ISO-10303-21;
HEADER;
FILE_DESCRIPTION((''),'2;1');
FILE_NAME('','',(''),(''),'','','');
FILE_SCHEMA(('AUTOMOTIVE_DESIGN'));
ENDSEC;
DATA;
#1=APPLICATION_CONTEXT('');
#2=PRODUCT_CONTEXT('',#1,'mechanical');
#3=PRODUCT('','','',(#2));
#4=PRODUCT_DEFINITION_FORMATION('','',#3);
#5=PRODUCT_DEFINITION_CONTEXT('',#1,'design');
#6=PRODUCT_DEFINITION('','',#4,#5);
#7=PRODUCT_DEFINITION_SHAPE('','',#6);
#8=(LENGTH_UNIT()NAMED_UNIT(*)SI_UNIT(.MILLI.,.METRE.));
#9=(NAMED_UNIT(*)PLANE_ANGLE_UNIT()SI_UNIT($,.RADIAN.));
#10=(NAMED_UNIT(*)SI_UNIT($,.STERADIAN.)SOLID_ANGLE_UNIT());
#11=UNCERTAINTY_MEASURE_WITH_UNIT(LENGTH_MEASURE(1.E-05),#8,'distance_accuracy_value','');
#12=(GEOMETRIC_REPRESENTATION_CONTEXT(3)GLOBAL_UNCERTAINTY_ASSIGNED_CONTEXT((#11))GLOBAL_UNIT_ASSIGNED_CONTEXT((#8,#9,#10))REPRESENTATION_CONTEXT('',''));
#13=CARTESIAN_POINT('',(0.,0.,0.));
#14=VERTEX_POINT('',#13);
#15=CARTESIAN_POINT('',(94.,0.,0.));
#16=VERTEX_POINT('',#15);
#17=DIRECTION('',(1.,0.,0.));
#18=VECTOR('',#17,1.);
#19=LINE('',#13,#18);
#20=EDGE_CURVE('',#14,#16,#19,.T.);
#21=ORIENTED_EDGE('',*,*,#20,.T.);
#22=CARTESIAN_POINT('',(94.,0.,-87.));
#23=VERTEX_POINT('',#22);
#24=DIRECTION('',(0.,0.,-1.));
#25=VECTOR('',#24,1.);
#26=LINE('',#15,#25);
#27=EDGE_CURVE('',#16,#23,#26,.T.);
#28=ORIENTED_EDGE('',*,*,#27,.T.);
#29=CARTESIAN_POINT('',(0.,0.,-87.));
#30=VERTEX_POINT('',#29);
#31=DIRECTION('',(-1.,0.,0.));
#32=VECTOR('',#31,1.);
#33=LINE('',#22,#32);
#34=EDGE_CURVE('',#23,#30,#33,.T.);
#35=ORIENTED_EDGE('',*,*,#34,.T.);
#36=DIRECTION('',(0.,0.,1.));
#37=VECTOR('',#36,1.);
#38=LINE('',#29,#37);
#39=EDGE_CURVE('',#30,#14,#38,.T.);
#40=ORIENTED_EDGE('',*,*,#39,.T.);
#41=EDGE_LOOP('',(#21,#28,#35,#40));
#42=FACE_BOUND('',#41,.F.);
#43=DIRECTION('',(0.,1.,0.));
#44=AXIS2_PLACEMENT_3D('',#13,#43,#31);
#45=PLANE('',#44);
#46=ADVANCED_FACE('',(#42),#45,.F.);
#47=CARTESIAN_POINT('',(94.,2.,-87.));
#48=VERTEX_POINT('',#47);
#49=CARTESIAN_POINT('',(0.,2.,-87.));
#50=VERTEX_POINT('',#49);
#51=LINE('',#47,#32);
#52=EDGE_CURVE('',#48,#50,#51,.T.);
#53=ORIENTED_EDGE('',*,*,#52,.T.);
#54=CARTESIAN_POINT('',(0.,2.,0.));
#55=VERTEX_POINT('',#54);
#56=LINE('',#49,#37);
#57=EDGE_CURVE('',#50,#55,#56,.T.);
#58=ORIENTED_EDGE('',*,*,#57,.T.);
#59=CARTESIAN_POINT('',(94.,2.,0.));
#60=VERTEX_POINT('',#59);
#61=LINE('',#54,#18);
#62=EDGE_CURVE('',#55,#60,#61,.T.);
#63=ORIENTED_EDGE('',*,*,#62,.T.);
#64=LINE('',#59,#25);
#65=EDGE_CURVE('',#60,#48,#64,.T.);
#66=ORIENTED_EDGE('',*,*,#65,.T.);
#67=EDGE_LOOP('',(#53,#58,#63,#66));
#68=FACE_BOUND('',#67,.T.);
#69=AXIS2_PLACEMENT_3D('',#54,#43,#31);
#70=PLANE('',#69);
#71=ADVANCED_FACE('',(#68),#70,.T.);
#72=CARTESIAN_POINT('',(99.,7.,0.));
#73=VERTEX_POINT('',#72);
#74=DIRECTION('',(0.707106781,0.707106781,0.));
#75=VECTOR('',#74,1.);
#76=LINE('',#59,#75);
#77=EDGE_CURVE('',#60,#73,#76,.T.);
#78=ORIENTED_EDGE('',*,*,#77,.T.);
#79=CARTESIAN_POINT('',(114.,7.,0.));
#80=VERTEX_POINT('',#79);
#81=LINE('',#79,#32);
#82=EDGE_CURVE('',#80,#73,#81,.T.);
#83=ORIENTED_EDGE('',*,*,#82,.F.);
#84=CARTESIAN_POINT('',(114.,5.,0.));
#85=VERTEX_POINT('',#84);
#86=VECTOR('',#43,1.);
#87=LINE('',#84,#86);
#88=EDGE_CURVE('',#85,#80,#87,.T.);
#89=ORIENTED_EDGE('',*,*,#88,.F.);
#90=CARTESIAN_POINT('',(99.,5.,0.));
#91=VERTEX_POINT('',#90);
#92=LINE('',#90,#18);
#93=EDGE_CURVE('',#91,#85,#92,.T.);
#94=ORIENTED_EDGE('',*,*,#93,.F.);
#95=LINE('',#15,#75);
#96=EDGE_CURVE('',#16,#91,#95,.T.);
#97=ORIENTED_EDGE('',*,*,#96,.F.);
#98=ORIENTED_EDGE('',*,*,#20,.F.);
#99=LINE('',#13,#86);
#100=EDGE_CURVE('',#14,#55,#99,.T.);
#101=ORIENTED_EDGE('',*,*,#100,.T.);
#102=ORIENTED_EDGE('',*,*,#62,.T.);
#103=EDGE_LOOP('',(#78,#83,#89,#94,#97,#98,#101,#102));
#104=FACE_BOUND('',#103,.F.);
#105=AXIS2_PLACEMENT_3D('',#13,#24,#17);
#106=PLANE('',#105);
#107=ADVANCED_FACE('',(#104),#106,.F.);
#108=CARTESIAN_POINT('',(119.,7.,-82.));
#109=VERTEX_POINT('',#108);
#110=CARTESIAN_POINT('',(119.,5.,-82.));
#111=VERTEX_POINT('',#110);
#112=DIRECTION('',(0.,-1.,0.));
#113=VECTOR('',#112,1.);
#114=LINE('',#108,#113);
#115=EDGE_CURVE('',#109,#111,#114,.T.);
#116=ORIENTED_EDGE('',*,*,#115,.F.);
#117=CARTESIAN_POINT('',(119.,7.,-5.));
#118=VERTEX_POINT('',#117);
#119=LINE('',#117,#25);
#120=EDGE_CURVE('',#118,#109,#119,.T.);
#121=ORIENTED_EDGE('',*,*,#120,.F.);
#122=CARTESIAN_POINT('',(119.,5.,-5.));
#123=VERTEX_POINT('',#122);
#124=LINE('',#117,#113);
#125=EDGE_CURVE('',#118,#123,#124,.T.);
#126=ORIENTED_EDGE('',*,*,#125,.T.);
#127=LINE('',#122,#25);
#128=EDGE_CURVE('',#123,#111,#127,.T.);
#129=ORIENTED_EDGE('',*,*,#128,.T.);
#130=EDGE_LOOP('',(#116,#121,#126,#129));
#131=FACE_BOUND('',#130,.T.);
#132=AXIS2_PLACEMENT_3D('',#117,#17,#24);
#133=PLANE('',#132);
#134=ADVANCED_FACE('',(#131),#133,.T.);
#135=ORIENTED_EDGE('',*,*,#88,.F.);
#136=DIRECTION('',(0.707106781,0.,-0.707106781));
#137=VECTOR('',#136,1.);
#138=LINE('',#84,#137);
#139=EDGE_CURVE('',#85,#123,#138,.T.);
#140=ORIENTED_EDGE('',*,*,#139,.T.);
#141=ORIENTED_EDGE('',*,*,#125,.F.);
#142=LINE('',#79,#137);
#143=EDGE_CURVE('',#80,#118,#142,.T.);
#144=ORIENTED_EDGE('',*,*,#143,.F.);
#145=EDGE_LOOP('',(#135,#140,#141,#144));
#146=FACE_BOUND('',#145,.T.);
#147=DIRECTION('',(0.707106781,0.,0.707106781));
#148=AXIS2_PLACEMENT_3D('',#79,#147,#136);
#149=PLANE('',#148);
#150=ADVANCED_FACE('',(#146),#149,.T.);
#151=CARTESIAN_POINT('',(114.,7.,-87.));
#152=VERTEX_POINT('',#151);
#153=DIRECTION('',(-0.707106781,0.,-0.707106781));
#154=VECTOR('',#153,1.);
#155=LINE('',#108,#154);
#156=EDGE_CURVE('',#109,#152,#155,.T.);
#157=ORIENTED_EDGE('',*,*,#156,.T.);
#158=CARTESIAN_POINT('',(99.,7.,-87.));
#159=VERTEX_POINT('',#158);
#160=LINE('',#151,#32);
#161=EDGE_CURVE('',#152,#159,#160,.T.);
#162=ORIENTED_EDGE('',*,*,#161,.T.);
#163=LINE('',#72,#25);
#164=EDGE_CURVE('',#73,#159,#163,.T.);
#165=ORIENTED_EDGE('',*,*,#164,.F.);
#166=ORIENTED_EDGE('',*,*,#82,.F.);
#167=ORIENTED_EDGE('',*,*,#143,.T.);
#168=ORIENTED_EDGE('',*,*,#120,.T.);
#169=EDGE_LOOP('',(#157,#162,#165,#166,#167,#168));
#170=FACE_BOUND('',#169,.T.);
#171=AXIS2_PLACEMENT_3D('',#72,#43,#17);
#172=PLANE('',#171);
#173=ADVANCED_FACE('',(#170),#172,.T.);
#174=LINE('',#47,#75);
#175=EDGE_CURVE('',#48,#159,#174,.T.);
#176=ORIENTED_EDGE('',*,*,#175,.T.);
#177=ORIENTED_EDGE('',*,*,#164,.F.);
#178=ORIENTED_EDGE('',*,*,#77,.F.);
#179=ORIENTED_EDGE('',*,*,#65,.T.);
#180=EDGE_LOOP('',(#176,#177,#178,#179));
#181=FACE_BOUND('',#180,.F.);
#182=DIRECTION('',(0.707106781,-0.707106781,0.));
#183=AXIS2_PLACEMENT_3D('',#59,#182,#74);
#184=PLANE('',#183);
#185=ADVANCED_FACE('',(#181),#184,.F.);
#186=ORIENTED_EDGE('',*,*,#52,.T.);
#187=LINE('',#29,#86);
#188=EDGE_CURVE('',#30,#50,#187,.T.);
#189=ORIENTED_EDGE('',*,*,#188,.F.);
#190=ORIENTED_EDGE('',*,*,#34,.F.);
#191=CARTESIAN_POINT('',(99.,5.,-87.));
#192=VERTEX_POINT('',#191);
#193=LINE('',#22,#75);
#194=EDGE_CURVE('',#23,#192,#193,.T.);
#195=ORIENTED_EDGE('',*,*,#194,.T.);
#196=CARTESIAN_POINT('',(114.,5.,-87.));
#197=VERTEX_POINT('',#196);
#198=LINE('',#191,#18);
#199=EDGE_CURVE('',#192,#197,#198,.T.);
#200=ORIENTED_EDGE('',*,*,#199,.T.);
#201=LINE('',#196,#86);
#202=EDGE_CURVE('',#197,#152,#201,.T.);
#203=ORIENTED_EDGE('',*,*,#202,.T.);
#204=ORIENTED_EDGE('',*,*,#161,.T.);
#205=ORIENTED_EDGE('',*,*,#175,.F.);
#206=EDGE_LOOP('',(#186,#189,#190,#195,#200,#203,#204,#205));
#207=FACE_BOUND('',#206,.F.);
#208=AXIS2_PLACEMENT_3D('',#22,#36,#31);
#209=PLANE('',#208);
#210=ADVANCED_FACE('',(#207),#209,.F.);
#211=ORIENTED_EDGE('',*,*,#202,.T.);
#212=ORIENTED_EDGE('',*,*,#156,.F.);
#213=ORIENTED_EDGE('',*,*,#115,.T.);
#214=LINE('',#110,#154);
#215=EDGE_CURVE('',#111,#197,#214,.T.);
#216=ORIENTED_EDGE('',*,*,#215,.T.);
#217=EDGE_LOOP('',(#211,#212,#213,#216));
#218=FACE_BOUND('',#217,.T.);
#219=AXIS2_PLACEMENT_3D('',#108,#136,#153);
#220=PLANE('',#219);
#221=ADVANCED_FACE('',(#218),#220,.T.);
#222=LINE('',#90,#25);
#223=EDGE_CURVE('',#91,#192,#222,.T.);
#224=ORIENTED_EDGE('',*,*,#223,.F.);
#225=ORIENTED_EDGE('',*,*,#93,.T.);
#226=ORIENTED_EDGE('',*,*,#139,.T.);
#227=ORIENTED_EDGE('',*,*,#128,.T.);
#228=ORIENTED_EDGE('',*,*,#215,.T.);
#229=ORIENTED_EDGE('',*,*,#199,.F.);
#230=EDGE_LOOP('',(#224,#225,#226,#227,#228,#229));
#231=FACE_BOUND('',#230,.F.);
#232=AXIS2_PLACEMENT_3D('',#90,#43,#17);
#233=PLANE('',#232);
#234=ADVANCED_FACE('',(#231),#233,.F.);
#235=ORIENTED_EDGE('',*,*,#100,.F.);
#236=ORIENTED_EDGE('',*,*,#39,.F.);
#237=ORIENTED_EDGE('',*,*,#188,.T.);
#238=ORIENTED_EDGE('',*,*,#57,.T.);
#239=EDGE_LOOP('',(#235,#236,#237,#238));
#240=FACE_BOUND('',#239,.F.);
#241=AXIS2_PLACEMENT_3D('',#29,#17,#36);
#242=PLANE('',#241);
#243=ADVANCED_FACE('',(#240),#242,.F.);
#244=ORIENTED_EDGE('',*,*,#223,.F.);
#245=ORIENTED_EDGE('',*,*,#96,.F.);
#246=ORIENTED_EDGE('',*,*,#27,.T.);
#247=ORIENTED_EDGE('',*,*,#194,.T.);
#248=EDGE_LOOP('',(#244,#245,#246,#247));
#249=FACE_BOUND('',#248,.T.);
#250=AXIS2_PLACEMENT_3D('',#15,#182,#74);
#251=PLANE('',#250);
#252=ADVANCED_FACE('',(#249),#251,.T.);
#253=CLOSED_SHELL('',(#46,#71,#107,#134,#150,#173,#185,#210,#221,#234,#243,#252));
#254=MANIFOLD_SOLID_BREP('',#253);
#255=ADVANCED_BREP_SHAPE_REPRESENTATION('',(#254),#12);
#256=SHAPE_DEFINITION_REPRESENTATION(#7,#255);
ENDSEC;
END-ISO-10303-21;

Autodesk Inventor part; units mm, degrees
ref_plane "YZ Plane" through (0, 0, 0) normal (1, 0, 0) x (0, 1, 0)
ref_plane "XZ Plane" through (0, 0, 0) normal (0, 1, 0) x (-1, 0, 0)
ref_plane "XY Plane" through (0, 0, 0) normal (0, 0, 1) x (1, 0, 0)
sketch "Sketch1" plane through (0, 0, 0) normal (0, 1, 0) x (-1, 0, 0)
  line L0 (0, 0) -> (-94, 0)
  line L1 (-94, 0) -> (-94, -87)
  line L2 (-94, -87) -> (0, -87)
  line L3 (0, -87) -> (0, 0)
  dimension "d0" = 94
  dimension "d1" = 87
extrude "Extrusion1" add sketch "Sketch1" along normal blind 2
sketch "Sketch2" plane through (0, 0, 0) normal (0, 0, 1) x (1, 0, 0)
  line L0 (94, 2) -> (0, 2) projected
  line L1 (-0.0001, 2) -> (94, 2)
  line L2 (94, 2) -> (99, 7)
  line L3 (94, 2) -> (101.071, 2) construction
  line L4 (94, 0) -> (99, 5)
  line L5 (99, 5) -> (114, 5)
  line L6 (114, 5) -> (114, 7)
  line L7 (114, 7) -> (99, 7)
  line L8 (94, 0) -> (94, 2) projected
  line L9 (94, 0) -> (94, 2)
  point P0 (0, 0)
  dimension "d4" = 7.071
  dimension "d5" = 45
  dimension "d6" = 7.071
  dimension "d7" = 15
  dimension "d8" = 2
extrude "Extrusion2" add sketch "Sketch2" against normal blind 87
sketch "Sketch3" plane through (99, 7, 0) normal (0, 1, 0) x (1, 0, 0)
  line L0 (15, 0) -> (0, 0) projected
  line L1 (15, 0) -> (20, 5)
  line L2 (15, 0) -> (22.071, 0) construction
  line L3 (20, 5) -> (20, 82)
  line L4 (0, 87) -> (15, 87) projected
  line L5 (20, 82) -> (15, 87)
  line L6 (15, 0) -> (15, 87)
  point P0 (-99, 0)
  dimension "d11" = 7.071
  dimension "d12" = 45
  dimension "d13" = 77
extrude "Extrusion3" add sketch "Sketch3" against normal blind 2
equation "\"BendRadius\" = Thickness"
equation "\"BendReliefWidth\" = Thickness"
equation "\"BendReliefDepth\" = 0.5 * Thickness"
equation "\"CornerReliefSize\" = 4 * Thickness"
equation "\"MinimumRemnant\" = 2 * Thickness"
equation "\"TransitionRadius\" = BendRadius"
equation "\"JacobiRadiusSize\" = BendRadius"
equation "\"GapSize\" = Thickness"
equation "\"Thickness\" = 0.5"
